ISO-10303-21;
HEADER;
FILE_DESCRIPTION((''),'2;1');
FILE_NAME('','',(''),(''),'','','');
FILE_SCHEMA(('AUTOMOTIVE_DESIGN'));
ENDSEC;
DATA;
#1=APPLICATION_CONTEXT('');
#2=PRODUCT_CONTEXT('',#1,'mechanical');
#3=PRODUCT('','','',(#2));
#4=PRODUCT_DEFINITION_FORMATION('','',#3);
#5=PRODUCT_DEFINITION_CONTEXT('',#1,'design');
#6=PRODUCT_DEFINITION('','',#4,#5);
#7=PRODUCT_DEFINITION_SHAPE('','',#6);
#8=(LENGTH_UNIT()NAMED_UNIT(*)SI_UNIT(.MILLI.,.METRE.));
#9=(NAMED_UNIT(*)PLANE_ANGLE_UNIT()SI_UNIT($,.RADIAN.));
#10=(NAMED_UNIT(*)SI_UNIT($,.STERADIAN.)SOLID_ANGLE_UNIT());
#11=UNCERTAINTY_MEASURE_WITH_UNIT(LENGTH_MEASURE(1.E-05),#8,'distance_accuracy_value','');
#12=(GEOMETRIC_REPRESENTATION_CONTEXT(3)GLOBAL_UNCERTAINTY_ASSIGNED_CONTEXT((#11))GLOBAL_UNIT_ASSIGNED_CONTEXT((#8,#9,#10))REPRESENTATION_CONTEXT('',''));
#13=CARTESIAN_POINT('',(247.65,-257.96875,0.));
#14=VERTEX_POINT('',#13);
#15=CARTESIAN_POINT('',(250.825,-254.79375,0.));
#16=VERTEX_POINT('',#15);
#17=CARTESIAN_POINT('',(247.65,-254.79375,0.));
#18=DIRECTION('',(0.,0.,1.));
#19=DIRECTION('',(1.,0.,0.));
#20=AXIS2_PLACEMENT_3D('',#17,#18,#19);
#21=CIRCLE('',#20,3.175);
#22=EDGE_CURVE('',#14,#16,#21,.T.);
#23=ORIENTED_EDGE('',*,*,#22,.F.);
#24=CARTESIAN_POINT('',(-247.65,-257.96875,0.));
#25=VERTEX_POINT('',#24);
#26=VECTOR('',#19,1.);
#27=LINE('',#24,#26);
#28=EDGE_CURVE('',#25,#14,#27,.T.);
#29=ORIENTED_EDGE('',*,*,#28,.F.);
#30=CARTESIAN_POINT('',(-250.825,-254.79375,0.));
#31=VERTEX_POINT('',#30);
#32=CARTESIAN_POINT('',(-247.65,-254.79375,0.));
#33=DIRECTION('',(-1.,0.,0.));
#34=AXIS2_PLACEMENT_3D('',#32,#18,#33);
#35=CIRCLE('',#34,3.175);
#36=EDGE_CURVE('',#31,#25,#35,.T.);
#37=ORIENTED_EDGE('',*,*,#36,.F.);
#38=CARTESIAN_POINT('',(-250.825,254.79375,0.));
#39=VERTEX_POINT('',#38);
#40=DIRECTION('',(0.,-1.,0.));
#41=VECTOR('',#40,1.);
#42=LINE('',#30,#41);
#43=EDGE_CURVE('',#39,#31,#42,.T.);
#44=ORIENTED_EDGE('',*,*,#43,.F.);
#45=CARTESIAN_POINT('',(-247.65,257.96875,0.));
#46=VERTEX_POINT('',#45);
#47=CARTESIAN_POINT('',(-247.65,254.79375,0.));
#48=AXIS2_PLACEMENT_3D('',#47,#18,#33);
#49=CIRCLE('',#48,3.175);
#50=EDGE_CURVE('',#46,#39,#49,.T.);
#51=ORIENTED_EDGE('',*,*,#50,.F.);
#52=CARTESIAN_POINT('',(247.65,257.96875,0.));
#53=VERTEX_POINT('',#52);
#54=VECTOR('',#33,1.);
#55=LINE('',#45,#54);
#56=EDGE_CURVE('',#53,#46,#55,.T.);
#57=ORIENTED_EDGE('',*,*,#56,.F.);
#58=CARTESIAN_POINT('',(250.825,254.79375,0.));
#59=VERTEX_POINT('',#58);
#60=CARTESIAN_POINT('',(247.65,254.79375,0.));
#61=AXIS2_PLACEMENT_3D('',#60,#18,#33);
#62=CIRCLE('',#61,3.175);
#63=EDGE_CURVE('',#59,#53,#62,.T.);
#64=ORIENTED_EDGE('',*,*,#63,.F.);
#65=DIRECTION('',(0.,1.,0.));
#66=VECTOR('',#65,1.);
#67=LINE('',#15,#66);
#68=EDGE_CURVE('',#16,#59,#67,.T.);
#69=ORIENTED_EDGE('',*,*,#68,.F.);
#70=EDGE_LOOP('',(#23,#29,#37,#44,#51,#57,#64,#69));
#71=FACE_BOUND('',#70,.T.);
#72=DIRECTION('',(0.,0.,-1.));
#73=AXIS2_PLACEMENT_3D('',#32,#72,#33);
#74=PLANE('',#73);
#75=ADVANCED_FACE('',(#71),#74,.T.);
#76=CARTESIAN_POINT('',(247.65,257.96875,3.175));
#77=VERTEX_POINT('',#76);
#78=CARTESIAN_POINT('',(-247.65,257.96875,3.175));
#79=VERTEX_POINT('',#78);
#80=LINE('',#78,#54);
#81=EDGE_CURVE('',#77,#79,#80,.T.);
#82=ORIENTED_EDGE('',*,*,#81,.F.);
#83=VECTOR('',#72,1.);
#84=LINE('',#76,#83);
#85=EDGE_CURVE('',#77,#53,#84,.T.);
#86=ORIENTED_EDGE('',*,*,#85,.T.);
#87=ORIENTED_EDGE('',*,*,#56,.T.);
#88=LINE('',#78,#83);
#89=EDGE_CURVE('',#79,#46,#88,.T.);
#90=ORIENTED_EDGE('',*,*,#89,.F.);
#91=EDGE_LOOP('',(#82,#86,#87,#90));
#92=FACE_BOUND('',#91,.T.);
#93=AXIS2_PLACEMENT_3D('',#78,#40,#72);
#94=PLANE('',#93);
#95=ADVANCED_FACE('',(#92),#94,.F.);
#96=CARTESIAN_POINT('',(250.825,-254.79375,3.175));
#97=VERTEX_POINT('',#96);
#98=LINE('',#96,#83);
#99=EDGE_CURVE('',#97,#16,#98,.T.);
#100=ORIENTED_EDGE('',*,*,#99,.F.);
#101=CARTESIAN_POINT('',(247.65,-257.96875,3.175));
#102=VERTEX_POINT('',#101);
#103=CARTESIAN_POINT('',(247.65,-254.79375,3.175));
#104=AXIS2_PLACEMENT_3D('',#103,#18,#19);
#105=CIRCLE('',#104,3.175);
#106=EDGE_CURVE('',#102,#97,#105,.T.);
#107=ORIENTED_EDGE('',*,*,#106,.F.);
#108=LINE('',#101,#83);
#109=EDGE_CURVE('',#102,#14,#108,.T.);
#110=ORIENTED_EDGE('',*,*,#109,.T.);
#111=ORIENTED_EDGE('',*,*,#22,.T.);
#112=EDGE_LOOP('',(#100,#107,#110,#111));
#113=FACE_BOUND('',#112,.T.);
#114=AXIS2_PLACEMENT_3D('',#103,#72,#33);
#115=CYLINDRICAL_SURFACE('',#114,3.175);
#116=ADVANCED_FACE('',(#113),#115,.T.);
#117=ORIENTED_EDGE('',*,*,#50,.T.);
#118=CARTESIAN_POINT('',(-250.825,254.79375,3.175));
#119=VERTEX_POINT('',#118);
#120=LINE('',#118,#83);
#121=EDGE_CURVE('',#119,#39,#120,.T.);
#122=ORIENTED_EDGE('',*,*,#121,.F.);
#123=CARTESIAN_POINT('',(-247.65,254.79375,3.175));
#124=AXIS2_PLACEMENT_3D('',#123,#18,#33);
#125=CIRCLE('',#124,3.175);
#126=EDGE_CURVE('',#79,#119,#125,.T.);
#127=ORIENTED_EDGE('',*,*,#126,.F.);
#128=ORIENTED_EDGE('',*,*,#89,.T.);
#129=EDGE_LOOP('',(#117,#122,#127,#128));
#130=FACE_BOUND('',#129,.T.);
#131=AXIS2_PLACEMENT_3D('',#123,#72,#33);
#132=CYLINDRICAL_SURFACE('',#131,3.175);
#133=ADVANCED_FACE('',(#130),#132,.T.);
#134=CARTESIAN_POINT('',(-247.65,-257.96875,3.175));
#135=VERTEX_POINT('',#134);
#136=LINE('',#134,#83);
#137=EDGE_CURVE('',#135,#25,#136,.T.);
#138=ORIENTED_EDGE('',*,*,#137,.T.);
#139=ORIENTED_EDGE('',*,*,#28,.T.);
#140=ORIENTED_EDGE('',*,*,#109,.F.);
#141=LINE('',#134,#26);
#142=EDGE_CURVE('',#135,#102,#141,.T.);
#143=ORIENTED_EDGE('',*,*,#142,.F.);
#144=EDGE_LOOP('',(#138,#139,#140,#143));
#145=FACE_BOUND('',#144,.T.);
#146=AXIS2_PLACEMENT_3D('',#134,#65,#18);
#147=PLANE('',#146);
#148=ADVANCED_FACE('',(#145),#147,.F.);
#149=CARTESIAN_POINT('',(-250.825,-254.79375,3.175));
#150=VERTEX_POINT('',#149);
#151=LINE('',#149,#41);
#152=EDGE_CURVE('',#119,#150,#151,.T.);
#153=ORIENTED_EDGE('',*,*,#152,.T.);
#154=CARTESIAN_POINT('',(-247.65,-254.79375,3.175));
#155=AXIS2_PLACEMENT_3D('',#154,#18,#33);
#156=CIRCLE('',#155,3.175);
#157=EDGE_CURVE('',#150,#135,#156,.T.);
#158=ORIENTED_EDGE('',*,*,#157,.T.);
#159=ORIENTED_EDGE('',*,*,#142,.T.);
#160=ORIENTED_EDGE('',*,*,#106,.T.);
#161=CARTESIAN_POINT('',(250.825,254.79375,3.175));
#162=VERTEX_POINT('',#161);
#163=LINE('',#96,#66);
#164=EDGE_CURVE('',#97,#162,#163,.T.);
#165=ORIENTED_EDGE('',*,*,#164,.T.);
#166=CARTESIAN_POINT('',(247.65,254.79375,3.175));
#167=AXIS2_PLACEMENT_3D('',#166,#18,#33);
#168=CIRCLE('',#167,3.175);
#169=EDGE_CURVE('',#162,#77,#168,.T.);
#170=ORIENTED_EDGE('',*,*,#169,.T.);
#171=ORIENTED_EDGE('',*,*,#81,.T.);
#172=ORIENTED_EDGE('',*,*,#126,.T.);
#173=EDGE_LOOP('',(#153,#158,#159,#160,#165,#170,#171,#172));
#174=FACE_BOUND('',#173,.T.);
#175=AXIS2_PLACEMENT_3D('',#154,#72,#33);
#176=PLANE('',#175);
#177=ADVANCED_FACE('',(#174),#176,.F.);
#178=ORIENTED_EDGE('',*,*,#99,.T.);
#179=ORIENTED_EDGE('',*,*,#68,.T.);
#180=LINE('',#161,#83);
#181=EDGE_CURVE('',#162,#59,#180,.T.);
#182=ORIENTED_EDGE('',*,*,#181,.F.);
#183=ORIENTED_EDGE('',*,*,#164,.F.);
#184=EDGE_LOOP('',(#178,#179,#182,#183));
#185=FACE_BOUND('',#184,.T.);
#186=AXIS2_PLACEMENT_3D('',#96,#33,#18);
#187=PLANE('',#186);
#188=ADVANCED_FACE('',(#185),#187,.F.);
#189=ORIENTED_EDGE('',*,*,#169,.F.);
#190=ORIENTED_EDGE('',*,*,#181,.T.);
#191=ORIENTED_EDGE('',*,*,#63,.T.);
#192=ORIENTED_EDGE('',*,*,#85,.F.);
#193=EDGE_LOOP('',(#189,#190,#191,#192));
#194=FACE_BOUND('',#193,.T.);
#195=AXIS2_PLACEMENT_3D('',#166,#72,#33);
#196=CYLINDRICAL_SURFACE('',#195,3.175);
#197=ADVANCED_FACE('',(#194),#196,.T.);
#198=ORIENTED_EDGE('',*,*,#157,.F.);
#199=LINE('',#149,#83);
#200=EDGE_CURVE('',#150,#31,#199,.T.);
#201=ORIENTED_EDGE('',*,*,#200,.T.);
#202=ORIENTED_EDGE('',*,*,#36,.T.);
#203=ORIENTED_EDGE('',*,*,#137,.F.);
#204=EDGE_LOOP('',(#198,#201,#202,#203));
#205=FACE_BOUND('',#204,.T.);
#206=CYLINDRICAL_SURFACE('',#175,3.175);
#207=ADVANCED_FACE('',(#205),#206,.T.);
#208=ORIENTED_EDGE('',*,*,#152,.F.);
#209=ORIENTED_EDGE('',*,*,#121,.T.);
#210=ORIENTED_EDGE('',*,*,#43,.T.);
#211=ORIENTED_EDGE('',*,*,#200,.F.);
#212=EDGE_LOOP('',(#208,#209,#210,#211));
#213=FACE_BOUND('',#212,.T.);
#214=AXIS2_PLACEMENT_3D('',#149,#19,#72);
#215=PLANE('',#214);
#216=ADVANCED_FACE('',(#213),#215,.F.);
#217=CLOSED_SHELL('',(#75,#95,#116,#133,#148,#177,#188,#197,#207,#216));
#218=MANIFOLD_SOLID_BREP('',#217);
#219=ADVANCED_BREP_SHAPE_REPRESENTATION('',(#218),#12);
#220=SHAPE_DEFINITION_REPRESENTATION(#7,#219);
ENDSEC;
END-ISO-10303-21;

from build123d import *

# Parameters (mm, degrees)
BOSS_EXTRUDE1_DEPTH = 3.175


with BuildPart() as part:
    # Sketch1 → Boss-Extrude1 (new body)
    with BuildSketch(Plane.XY):
        with BuildLine():
            Line((-247.65, -257.96875), (247.65, -257.96875))
            ThreePointArc((247.65, -257.96875), (249.89506403, -257.03881403), (250.825, -254.79375))
            Line((250.825, -254.79375), (250.825, 254.79375))
            ThreePointArc((250.825, 254.79375), (249.89506403, 257.03881403), (247.65, 257.96875))
            Line((247.65, 257.96875), (-247.65, 257.96875))
            ThreePointArc((-247.65, 257.96875), (-249.89506403, 257.03881403), (-250.825, 254.79375))
            Line((-250.825, 254.79375), (-250.825, -254.79375))
            ThreePointArc((-250.825, -254.79375), (-249.89506403, -257.03881403), (-247.65, -257.96875))
        make_face()
    extrude(amount=BOSS_EXTRUDE1_DEPTH)


solid = part.part
